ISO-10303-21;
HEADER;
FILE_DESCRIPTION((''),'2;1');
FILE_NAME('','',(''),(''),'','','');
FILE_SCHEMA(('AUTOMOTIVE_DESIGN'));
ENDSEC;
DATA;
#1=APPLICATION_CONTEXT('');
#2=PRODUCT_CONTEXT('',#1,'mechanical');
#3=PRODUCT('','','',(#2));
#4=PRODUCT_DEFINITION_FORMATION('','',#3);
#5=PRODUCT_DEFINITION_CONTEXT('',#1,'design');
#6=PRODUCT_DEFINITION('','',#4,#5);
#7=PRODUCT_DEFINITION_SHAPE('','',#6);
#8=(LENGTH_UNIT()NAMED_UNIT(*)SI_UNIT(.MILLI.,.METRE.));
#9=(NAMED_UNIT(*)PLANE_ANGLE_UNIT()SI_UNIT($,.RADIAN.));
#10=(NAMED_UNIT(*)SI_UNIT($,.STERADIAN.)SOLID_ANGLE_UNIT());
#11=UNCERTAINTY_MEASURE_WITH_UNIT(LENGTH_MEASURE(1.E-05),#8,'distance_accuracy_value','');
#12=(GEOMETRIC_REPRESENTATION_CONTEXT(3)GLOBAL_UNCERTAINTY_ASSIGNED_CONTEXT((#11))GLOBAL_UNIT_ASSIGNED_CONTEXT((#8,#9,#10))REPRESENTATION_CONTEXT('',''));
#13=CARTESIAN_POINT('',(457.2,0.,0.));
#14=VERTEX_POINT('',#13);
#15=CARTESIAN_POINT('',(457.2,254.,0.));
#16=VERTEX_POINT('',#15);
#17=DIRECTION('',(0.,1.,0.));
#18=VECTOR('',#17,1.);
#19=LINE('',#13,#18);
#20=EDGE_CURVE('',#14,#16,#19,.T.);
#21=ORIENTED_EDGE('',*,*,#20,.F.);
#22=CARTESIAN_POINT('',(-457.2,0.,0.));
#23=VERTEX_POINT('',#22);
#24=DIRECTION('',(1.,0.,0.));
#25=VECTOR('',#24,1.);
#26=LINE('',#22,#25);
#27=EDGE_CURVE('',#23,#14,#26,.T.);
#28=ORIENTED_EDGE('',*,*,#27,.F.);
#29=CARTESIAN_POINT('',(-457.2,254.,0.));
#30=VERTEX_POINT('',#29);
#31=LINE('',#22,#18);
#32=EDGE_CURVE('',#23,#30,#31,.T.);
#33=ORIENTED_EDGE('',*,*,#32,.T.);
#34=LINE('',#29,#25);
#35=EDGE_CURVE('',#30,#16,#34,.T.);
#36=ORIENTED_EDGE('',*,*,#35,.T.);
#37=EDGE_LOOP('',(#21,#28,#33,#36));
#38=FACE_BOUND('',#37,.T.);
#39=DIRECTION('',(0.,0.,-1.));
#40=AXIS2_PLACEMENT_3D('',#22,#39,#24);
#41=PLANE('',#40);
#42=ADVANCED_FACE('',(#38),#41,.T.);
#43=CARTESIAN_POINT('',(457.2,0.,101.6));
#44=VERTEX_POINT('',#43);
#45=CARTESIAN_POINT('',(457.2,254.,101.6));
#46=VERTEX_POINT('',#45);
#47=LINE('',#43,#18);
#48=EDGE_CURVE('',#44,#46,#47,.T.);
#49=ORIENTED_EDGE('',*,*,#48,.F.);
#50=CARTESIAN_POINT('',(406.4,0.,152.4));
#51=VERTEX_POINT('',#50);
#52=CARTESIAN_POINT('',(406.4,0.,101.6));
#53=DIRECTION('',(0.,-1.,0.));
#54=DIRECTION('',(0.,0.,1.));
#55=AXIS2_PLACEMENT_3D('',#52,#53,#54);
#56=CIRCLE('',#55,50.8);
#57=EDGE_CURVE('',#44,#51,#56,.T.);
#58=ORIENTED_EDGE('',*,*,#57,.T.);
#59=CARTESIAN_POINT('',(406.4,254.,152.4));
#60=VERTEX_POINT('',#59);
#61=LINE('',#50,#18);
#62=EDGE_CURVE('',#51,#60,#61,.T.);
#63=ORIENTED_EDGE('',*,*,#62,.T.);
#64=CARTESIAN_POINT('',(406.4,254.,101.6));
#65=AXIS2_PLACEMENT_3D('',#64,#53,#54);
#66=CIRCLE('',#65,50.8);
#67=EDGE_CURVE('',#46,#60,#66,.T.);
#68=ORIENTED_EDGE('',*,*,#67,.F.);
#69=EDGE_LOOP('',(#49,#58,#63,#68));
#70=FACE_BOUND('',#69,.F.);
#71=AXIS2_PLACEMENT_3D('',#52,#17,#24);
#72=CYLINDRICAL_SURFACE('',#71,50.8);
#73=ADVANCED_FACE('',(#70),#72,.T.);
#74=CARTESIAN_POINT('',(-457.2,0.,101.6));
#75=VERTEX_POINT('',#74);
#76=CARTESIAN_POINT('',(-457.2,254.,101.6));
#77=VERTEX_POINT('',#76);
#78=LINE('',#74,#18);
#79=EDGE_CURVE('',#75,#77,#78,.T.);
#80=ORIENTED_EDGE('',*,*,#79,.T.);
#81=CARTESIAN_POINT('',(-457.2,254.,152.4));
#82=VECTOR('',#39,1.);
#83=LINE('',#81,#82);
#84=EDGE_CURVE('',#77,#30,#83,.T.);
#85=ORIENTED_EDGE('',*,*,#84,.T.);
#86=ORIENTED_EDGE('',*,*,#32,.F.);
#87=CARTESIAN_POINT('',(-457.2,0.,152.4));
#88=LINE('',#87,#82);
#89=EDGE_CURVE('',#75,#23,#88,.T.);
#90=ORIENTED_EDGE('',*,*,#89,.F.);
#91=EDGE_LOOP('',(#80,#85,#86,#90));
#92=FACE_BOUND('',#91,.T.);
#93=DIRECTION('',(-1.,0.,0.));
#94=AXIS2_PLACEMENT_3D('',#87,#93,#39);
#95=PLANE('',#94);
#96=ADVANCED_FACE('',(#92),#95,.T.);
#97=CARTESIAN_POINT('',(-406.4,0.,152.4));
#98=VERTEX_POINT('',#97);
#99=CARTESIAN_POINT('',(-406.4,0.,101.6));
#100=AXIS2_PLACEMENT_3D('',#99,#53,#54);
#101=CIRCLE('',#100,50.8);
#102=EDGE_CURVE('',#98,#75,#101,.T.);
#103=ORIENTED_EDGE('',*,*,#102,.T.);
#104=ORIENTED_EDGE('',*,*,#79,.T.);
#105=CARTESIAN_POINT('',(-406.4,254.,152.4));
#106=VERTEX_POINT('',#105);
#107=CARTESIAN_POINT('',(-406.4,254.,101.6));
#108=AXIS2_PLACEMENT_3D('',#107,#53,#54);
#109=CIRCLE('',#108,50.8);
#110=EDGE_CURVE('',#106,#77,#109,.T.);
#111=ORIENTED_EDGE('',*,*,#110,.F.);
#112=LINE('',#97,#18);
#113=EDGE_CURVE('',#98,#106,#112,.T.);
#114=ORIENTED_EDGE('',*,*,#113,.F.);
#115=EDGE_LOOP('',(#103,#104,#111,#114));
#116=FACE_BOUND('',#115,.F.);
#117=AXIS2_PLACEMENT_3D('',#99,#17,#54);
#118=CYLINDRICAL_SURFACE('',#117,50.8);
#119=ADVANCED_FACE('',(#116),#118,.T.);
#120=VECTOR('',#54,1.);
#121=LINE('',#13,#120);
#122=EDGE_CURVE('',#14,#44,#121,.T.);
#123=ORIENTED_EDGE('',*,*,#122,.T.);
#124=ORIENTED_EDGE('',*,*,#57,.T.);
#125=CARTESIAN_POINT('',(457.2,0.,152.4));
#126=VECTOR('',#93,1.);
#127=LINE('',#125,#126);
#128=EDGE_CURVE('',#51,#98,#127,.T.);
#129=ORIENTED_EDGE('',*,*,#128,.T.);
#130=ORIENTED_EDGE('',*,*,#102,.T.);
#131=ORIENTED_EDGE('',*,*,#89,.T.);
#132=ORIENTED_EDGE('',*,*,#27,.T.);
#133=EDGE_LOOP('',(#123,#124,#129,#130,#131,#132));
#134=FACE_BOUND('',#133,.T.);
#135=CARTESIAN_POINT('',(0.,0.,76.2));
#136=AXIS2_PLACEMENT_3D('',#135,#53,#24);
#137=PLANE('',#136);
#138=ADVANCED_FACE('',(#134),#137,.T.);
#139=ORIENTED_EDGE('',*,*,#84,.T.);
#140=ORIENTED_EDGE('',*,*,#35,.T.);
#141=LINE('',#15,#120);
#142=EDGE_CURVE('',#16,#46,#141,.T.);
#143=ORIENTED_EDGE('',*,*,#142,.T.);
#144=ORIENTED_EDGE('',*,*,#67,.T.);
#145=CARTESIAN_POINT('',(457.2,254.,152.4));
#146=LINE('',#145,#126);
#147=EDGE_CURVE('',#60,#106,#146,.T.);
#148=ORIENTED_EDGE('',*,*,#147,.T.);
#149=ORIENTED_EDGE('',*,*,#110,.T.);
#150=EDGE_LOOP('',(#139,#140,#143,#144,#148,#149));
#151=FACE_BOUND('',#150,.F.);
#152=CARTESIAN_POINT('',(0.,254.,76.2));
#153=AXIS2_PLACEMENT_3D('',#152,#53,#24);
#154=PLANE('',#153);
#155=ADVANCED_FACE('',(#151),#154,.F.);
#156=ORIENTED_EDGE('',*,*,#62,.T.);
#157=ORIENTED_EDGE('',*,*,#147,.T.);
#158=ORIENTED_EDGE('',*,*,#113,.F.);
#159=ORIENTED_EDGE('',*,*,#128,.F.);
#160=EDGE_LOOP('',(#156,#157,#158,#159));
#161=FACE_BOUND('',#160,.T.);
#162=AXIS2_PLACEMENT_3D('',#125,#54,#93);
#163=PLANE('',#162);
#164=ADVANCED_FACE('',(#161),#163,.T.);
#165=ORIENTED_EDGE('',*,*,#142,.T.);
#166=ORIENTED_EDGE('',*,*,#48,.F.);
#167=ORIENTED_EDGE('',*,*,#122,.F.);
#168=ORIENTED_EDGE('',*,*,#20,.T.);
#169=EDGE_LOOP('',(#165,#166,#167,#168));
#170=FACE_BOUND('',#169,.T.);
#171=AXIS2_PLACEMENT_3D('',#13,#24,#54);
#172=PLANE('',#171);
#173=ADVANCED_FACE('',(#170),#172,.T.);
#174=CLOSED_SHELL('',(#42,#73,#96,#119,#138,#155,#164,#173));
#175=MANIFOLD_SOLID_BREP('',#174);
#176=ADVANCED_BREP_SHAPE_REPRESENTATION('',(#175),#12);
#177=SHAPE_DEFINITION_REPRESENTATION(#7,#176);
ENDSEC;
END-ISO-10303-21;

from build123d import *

# Parameters (mm, degrees)
F1_DEPTH = 254
F2_R     = 50.8


with BuildPart() as f1:
    # F0 (on Front) → F1 (new body)
    with BuildSketch(Plane.XZ):
        Polygon((-457.2, 0), (0, 0), (457.2, 0), (457.2, 152.4), (-457.2, 152.4), align=None)
    extrude(amount=-F1_DEPTH)

    # F2
    f2_edges = [f1.edges().sort_by_distance(p)[0] for p in [
        (-457.2, 127, 152.4),
        (457.2, 127, 152.4),
    ]]
    fillet(f2_edges, radius=F2_R)


solid = f1.part
